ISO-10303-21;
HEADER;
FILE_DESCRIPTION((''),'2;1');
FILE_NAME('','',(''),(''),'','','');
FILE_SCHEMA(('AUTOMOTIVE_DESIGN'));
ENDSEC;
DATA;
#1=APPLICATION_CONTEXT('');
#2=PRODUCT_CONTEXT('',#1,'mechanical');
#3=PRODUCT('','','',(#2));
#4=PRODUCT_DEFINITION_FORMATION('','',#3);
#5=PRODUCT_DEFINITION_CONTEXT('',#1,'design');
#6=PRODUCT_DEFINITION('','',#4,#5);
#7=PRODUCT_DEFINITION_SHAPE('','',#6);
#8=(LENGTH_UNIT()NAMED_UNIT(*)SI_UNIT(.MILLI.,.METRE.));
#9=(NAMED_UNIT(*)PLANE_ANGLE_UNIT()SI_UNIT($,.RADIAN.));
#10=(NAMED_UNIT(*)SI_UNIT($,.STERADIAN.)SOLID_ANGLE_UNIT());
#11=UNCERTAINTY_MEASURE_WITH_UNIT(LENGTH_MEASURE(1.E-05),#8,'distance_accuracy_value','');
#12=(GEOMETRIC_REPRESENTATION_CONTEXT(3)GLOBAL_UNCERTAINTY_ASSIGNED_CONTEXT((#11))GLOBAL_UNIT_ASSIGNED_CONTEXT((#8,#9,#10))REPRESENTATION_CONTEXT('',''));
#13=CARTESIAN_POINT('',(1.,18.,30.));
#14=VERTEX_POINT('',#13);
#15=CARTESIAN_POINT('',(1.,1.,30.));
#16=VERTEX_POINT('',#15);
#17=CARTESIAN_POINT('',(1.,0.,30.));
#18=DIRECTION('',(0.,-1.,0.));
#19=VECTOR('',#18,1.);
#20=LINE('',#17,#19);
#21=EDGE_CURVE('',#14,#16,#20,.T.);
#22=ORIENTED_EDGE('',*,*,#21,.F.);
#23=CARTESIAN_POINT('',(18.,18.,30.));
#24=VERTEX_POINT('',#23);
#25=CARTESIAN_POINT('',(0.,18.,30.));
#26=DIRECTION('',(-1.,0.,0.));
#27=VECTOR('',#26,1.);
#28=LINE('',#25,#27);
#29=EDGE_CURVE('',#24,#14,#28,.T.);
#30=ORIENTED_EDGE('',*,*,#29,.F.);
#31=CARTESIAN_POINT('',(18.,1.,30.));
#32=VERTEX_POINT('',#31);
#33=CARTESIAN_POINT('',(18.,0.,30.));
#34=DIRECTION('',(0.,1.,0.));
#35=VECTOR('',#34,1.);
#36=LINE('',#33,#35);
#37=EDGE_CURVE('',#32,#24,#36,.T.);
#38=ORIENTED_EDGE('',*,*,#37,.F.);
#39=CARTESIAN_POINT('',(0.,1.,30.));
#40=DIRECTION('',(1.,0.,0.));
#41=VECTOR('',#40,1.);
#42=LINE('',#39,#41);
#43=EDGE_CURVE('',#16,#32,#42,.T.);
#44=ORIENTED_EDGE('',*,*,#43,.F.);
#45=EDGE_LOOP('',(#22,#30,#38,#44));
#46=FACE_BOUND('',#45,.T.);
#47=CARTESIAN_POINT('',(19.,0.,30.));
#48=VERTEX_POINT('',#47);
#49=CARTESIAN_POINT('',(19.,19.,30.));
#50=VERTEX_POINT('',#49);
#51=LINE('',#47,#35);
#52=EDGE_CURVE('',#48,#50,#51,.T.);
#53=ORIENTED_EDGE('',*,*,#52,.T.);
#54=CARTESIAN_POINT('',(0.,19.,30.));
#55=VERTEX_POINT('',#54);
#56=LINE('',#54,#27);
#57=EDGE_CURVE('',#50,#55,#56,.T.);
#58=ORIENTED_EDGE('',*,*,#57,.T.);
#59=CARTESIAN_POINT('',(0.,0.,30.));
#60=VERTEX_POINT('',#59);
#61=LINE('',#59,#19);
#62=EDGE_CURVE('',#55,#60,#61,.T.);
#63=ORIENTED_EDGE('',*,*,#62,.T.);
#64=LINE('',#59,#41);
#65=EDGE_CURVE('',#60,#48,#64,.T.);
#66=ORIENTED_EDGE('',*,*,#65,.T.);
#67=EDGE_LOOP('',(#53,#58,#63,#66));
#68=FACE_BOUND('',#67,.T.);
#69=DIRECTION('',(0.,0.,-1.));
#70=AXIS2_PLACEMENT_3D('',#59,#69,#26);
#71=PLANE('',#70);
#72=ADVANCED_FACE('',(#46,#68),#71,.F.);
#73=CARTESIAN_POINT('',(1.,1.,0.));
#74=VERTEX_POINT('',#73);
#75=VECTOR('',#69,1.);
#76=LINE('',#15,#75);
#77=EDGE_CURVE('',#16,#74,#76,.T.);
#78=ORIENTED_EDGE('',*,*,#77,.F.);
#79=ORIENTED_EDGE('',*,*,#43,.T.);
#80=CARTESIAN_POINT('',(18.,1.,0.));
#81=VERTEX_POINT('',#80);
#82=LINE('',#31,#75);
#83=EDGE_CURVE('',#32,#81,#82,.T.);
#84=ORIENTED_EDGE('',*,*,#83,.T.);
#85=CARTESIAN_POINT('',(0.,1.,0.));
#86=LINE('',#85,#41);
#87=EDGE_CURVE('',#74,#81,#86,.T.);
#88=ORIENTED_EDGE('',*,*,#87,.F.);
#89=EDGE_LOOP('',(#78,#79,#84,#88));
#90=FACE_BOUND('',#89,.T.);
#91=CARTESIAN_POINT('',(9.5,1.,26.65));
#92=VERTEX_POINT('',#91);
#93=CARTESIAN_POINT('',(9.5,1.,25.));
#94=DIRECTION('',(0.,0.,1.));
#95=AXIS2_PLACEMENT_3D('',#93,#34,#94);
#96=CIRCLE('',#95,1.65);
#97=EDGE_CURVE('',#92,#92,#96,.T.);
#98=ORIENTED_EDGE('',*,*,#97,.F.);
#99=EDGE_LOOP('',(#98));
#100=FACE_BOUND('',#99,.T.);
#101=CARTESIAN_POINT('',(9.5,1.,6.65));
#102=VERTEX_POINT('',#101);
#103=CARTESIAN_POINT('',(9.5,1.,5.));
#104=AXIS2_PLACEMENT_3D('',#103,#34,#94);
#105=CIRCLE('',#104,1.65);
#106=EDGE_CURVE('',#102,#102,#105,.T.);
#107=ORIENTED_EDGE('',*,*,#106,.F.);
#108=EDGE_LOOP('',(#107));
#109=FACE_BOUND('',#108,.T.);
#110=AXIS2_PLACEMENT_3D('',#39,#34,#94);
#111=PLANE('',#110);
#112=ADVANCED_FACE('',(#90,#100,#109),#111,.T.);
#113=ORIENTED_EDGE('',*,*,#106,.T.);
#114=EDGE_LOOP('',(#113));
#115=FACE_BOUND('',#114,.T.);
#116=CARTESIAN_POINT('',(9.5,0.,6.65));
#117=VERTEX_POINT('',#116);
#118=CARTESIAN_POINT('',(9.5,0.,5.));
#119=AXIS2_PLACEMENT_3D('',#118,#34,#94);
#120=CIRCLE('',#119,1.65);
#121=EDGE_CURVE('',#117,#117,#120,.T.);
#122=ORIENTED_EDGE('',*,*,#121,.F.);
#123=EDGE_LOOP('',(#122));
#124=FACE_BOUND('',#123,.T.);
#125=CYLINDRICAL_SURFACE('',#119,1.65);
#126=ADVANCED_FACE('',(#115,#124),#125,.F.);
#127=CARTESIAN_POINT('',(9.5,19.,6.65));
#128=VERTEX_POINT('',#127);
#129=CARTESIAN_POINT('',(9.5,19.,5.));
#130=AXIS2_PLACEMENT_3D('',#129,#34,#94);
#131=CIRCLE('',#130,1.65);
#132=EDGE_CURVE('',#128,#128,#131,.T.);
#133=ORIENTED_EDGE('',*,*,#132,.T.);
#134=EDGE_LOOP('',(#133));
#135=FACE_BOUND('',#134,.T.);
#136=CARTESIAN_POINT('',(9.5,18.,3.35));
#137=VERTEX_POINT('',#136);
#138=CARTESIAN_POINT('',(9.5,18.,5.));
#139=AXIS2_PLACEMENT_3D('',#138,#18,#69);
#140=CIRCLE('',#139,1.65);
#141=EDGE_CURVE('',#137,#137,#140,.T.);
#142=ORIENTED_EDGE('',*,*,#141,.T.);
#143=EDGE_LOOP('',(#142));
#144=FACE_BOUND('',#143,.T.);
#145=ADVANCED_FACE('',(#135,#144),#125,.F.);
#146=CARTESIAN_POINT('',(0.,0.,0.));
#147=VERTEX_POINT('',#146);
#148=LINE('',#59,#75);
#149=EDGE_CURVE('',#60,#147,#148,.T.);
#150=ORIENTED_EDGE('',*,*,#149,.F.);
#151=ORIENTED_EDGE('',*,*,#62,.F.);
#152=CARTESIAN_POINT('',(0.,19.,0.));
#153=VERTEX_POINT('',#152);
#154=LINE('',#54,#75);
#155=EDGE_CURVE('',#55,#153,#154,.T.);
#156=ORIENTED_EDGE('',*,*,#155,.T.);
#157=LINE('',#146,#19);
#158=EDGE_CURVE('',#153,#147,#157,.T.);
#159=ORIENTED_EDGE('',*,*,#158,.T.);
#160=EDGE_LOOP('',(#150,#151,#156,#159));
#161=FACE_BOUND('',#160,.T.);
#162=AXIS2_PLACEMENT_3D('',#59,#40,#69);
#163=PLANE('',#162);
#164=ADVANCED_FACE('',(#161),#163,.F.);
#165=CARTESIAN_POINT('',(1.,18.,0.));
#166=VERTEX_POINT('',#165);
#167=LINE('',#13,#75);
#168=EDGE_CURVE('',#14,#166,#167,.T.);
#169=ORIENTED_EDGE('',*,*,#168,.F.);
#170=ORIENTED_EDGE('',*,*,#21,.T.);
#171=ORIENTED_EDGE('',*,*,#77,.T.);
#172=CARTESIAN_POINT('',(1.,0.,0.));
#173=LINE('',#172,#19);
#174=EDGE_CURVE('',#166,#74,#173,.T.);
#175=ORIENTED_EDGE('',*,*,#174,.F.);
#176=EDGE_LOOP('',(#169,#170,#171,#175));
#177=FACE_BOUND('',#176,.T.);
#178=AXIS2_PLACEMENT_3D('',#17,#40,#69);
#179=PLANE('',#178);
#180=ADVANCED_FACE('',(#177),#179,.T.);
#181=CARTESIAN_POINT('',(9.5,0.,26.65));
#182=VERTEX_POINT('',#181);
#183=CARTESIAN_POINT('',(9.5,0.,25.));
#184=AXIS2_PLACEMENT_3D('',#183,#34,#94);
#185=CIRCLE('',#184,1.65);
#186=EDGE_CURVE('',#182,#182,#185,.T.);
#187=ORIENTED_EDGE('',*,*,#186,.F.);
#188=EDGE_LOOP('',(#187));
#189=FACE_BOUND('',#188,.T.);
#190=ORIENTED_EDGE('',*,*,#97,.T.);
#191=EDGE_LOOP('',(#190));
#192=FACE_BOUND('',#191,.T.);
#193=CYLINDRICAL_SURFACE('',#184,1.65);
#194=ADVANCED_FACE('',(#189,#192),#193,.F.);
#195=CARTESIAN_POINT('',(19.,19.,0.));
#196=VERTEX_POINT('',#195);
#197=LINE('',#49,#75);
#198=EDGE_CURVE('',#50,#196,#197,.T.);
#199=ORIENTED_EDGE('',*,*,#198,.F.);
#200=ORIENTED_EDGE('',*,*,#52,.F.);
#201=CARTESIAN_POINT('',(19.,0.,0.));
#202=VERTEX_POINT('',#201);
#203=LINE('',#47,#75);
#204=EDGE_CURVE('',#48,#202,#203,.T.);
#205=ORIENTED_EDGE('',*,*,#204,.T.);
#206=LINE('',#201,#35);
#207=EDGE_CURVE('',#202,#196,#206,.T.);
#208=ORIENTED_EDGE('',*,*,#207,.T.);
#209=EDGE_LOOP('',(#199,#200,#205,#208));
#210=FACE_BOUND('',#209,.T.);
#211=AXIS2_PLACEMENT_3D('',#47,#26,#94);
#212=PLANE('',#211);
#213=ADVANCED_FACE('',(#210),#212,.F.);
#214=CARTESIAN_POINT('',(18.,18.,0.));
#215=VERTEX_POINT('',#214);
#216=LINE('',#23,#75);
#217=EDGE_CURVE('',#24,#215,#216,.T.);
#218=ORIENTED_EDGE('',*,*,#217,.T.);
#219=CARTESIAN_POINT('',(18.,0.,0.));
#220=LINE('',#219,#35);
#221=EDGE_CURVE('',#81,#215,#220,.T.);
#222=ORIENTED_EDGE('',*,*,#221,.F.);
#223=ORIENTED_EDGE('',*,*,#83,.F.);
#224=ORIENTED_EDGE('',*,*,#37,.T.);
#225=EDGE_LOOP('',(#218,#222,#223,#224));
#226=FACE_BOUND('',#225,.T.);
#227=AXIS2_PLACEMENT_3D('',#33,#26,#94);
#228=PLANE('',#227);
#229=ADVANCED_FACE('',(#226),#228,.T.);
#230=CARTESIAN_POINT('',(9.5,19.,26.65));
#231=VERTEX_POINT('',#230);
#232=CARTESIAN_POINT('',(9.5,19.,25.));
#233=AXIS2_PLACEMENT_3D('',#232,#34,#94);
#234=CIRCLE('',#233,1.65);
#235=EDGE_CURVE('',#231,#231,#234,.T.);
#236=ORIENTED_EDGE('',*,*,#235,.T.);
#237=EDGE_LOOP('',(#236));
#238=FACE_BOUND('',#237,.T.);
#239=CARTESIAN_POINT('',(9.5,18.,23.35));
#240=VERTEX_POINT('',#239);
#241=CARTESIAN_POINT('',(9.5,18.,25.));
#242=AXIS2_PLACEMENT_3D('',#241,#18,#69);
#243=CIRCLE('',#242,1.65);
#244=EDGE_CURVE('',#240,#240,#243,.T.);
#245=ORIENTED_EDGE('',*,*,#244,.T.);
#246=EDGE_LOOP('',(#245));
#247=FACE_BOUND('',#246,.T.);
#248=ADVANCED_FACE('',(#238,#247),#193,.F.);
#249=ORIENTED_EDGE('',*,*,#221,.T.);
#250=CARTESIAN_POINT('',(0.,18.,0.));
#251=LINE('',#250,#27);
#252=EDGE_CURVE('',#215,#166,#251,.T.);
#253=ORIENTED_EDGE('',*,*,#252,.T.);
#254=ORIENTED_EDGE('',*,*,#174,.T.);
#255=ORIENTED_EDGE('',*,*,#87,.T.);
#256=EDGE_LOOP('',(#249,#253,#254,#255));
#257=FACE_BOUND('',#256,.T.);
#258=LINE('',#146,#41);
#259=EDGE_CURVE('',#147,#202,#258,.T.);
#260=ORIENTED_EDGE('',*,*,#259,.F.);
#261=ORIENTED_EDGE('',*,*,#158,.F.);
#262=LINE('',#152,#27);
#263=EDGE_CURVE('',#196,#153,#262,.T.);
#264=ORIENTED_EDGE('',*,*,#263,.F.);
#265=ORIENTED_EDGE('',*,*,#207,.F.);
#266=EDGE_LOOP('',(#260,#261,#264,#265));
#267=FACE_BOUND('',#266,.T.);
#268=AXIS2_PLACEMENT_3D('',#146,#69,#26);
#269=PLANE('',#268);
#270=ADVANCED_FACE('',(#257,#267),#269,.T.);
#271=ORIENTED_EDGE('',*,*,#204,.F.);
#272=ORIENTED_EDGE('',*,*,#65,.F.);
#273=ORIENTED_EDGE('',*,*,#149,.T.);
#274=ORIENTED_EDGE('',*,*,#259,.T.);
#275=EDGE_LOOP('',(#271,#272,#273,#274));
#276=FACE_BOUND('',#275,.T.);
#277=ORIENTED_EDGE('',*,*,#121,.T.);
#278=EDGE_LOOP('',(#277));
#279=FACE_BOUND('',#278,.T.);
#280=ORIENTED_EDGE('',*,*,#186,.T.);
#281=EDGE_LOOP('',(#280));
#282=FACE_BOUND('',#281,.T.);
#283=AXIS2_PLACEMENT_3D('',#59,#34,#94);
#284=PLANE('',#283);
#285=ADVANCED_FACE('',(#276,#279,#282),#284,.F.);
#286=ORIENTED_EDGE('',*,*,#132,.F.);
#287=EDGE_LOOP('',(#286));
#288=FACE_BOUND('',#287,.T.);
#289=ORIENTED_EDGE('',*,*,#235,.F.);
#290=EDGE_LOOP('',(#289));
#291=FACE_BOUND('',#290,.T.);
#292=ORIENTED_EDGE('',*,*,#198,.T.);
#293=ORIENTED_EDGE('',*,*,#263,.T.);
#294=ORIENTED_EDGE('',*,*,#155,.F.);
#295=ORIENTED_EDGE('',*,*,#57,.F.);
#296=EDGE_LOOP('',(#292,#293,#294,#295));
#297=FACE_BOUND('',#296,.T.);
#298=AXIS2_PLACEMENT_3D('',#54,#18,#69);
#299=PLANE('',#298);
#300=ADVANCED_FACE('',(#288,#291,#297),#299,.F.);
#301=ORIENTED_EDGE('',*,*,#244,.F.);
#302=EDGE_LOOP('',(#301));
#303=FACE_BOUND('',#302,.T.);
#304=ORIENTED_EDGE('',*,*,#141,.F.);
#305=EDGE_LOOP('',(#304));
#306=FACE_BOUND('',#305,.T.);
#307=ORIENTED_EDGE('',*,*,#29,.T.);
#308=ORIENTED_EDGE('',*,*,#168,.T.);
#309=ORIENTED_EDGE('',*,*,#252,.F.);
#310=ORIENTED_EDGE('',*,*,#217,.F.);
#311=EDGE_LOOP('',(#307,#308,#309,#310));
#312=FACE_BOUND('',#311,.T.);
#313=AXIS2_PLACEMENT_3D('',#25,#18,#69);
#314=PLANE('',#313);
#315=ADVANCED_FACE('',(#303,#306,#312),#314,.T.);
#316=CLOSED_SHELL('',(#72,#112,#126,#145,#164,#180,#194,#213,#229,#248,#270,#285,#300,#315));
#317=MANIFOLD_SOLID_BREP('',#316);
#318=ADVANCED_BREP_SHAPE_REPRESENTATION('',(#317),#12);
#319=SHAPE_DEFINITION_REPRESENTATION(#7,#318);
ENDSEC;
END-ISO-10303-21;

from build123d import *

# Parameters (mm, degrees)
ESBO_O1_W                = 19
ESBO_O1_H                = 19
RESSALTO_EXTRUS_O1_DEPTH = 30
CASCA1_T                 = -1
ESBO_O2_R                = 1.65
CORTE_EXTRUS_O1_DEPTH    = 20


with BuildPart() as part:
    # Esboço1 → Ressalto-extrusão1 (new body)
    with BuildSketch(Plane.XY):
        with Locations((9.5, 9.5)):
            Rectangle(ESBO_O1_W, ESBO_O1_H)
    extrude(amount=RESSALTO_EXTRUS_O1_DEPTH)

    # Casca1
    casca1_openings = [part.faces().sort_by_distance(p)[0] for p in [
        (9.5, 9.5, 30),
        (9.5, 9.5, 0),
    ]]
    offset(amount=CASCA1_T, openings=casca1_openings, kind=Kind.INTERSECTION)

    # Esboço2 → Corte-extrusão1 (cut, through all)
    with BuildSketch(Plane(origin=(0, 19, 0), x_dir=(1, 0, 0), z_dir=(0, 1, 0))):
        with Locations((9.5, -25)):
            Circle(ESBO_O2_R)
        with Locations((9.5, -5)):
            Circle(ESBO_O2_R)
    extrude(amount=-CORTE_EXTRUS_O1_DEPTH, mode=Mode.SUBTRACT)


solid = part.part
